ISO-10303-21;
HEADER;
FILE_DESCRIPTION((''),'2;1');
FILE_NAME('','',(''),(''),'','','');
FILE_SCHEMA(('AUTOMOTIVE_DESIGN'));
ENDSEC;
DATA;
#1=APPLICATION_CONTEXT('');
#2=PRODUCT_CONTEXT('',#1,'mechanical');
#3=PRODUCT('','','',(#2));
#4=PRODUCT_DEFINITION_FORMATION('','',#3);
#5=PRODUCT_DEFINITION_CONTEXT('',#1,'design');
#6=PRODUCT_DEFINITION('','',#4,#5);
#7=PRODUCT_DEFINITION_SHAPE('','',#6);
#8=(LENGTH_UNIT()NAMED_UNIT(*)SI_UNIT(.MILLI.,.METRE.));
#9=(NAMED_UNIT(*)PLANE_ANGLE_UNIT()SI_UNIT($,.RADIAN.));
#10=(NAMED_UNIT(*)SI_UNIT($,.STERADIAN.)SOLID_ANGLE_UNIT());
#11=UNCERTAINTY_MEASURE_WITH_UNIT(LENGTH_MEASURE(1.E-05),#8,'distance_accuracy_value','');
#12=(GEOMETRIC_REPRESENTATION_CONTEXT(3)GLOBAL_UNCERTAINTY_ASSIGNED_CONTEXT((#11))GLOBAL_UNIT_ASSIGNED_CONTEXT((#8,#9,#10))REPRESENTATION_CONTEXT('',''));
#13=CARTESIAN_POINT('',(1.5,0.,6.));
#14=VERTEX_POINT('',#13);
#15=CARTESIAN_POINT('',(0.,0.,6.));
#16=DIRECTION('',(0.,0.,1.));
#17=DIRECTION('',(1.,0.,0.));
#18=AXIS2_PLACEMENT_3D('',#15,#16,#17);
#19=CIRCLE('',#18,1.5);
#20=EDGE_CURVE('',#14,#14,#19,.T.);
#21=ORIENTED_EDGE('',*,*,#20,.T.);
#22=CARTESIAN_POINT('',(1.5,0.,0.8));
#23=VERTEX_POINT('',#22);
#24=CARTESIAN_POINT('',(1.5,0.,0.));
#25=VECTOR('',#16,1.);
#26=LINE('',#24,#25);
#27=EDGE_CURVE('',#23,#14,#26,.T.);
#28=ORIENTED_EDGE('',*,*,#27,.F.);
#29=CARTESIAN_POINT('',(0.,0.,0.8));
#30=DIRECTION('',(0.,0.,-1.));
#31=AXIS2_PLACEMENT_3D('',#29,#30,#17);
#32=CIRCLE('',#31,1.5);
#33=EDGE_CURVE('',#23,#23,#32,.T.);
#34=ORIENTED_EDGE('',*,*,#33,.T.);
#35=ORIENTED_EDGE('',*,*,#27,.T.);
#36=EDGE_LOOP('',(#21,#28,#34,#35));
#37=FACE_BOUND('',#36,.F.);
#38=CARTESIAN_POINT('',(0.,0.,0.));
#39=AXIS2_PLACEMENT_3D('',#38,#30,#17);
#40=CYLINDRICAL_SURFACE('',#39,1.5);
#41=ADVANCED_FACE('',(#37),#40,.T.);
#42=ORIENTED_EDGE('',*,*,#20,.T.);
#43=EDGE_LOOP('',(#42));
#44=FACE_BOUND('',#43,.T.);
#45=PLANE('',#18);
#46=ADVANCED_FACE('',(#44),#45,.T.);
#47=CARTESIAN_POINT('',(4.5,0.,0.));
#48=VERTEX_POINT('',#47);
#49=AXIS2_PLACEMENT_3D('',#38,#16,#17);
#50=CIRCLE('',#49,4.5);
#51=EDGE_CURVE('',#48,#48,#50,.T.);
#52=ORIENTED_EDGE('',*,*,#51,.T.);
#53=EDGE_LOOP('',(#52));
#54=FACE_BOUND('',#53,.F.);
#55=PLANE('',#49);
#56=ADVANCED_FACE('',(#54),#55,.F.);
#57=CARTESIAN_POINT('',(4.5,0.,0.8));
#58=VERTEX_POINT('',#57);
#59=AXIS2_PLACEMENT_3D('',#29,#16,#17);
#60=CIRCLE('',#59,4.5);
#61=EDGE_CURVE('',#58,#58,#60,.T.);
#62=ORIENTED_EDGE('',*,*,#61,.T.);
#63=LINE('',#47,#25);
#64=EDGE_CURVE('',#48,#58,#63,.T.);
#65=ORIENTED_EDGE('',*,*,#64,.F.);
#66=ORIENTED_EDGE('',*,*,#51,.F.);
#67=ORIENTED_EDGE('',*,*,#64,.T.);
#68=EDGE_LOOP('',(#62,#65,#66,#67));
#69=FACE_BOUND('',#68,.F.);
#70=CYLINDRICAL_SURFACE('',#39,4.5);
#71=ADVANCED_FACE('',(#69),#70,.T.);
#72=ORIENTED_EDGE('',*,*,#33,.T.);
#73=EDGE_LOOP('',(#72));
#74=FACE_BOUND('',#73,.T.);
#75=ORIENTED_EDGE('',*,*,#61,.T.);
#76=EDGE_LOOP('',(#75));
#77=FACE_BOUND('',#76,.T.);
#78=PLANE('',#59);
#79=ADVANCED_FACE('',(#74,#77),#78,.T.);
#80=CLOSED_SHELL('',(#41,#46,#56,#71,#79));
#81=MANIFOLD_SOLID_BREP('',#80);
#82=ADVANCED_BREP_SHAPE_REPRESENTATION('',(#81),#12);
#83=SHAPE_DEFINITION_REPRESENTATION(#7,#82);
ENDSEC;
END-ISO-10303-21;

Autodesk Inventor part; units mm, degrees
ref_plane "YZ Plane" through (0, 0, 0) normal (1, 0, 0) x (0, 1, 0)
ref_plane "XZ Plane" through (0, 0, 0) normal (0, 1, 0) x (-1, 0, 0)
ref_plane "XY Plane" through (0, 0, 0) normal (0, 0, 1) x (1, 0, 0)
sketch "スケッチ1" plane through (0, 0, 0) normal (0, 0, 1) x (1, 0, 0)
  circle A0 centre (0, 0) radius 4.5
  circle A1 centre (0, 0) radius 1.5
  dimension "d0" = 9
  dimension "d1" = 3
extrude "押し出し1" add sketch "スケッチ1" along normal blind 0.8 contours A0 | A1
extrude "押し出し2" add sketch "スケッチ1" along normal blind 6 contours A1
thread "ねじ1" size "M3x0.5" class "6g" standard "ANSI Metric M Profile" full length
properties part number "FreeHorn_Screw" material "ステンレス鋼 AISI 304"
